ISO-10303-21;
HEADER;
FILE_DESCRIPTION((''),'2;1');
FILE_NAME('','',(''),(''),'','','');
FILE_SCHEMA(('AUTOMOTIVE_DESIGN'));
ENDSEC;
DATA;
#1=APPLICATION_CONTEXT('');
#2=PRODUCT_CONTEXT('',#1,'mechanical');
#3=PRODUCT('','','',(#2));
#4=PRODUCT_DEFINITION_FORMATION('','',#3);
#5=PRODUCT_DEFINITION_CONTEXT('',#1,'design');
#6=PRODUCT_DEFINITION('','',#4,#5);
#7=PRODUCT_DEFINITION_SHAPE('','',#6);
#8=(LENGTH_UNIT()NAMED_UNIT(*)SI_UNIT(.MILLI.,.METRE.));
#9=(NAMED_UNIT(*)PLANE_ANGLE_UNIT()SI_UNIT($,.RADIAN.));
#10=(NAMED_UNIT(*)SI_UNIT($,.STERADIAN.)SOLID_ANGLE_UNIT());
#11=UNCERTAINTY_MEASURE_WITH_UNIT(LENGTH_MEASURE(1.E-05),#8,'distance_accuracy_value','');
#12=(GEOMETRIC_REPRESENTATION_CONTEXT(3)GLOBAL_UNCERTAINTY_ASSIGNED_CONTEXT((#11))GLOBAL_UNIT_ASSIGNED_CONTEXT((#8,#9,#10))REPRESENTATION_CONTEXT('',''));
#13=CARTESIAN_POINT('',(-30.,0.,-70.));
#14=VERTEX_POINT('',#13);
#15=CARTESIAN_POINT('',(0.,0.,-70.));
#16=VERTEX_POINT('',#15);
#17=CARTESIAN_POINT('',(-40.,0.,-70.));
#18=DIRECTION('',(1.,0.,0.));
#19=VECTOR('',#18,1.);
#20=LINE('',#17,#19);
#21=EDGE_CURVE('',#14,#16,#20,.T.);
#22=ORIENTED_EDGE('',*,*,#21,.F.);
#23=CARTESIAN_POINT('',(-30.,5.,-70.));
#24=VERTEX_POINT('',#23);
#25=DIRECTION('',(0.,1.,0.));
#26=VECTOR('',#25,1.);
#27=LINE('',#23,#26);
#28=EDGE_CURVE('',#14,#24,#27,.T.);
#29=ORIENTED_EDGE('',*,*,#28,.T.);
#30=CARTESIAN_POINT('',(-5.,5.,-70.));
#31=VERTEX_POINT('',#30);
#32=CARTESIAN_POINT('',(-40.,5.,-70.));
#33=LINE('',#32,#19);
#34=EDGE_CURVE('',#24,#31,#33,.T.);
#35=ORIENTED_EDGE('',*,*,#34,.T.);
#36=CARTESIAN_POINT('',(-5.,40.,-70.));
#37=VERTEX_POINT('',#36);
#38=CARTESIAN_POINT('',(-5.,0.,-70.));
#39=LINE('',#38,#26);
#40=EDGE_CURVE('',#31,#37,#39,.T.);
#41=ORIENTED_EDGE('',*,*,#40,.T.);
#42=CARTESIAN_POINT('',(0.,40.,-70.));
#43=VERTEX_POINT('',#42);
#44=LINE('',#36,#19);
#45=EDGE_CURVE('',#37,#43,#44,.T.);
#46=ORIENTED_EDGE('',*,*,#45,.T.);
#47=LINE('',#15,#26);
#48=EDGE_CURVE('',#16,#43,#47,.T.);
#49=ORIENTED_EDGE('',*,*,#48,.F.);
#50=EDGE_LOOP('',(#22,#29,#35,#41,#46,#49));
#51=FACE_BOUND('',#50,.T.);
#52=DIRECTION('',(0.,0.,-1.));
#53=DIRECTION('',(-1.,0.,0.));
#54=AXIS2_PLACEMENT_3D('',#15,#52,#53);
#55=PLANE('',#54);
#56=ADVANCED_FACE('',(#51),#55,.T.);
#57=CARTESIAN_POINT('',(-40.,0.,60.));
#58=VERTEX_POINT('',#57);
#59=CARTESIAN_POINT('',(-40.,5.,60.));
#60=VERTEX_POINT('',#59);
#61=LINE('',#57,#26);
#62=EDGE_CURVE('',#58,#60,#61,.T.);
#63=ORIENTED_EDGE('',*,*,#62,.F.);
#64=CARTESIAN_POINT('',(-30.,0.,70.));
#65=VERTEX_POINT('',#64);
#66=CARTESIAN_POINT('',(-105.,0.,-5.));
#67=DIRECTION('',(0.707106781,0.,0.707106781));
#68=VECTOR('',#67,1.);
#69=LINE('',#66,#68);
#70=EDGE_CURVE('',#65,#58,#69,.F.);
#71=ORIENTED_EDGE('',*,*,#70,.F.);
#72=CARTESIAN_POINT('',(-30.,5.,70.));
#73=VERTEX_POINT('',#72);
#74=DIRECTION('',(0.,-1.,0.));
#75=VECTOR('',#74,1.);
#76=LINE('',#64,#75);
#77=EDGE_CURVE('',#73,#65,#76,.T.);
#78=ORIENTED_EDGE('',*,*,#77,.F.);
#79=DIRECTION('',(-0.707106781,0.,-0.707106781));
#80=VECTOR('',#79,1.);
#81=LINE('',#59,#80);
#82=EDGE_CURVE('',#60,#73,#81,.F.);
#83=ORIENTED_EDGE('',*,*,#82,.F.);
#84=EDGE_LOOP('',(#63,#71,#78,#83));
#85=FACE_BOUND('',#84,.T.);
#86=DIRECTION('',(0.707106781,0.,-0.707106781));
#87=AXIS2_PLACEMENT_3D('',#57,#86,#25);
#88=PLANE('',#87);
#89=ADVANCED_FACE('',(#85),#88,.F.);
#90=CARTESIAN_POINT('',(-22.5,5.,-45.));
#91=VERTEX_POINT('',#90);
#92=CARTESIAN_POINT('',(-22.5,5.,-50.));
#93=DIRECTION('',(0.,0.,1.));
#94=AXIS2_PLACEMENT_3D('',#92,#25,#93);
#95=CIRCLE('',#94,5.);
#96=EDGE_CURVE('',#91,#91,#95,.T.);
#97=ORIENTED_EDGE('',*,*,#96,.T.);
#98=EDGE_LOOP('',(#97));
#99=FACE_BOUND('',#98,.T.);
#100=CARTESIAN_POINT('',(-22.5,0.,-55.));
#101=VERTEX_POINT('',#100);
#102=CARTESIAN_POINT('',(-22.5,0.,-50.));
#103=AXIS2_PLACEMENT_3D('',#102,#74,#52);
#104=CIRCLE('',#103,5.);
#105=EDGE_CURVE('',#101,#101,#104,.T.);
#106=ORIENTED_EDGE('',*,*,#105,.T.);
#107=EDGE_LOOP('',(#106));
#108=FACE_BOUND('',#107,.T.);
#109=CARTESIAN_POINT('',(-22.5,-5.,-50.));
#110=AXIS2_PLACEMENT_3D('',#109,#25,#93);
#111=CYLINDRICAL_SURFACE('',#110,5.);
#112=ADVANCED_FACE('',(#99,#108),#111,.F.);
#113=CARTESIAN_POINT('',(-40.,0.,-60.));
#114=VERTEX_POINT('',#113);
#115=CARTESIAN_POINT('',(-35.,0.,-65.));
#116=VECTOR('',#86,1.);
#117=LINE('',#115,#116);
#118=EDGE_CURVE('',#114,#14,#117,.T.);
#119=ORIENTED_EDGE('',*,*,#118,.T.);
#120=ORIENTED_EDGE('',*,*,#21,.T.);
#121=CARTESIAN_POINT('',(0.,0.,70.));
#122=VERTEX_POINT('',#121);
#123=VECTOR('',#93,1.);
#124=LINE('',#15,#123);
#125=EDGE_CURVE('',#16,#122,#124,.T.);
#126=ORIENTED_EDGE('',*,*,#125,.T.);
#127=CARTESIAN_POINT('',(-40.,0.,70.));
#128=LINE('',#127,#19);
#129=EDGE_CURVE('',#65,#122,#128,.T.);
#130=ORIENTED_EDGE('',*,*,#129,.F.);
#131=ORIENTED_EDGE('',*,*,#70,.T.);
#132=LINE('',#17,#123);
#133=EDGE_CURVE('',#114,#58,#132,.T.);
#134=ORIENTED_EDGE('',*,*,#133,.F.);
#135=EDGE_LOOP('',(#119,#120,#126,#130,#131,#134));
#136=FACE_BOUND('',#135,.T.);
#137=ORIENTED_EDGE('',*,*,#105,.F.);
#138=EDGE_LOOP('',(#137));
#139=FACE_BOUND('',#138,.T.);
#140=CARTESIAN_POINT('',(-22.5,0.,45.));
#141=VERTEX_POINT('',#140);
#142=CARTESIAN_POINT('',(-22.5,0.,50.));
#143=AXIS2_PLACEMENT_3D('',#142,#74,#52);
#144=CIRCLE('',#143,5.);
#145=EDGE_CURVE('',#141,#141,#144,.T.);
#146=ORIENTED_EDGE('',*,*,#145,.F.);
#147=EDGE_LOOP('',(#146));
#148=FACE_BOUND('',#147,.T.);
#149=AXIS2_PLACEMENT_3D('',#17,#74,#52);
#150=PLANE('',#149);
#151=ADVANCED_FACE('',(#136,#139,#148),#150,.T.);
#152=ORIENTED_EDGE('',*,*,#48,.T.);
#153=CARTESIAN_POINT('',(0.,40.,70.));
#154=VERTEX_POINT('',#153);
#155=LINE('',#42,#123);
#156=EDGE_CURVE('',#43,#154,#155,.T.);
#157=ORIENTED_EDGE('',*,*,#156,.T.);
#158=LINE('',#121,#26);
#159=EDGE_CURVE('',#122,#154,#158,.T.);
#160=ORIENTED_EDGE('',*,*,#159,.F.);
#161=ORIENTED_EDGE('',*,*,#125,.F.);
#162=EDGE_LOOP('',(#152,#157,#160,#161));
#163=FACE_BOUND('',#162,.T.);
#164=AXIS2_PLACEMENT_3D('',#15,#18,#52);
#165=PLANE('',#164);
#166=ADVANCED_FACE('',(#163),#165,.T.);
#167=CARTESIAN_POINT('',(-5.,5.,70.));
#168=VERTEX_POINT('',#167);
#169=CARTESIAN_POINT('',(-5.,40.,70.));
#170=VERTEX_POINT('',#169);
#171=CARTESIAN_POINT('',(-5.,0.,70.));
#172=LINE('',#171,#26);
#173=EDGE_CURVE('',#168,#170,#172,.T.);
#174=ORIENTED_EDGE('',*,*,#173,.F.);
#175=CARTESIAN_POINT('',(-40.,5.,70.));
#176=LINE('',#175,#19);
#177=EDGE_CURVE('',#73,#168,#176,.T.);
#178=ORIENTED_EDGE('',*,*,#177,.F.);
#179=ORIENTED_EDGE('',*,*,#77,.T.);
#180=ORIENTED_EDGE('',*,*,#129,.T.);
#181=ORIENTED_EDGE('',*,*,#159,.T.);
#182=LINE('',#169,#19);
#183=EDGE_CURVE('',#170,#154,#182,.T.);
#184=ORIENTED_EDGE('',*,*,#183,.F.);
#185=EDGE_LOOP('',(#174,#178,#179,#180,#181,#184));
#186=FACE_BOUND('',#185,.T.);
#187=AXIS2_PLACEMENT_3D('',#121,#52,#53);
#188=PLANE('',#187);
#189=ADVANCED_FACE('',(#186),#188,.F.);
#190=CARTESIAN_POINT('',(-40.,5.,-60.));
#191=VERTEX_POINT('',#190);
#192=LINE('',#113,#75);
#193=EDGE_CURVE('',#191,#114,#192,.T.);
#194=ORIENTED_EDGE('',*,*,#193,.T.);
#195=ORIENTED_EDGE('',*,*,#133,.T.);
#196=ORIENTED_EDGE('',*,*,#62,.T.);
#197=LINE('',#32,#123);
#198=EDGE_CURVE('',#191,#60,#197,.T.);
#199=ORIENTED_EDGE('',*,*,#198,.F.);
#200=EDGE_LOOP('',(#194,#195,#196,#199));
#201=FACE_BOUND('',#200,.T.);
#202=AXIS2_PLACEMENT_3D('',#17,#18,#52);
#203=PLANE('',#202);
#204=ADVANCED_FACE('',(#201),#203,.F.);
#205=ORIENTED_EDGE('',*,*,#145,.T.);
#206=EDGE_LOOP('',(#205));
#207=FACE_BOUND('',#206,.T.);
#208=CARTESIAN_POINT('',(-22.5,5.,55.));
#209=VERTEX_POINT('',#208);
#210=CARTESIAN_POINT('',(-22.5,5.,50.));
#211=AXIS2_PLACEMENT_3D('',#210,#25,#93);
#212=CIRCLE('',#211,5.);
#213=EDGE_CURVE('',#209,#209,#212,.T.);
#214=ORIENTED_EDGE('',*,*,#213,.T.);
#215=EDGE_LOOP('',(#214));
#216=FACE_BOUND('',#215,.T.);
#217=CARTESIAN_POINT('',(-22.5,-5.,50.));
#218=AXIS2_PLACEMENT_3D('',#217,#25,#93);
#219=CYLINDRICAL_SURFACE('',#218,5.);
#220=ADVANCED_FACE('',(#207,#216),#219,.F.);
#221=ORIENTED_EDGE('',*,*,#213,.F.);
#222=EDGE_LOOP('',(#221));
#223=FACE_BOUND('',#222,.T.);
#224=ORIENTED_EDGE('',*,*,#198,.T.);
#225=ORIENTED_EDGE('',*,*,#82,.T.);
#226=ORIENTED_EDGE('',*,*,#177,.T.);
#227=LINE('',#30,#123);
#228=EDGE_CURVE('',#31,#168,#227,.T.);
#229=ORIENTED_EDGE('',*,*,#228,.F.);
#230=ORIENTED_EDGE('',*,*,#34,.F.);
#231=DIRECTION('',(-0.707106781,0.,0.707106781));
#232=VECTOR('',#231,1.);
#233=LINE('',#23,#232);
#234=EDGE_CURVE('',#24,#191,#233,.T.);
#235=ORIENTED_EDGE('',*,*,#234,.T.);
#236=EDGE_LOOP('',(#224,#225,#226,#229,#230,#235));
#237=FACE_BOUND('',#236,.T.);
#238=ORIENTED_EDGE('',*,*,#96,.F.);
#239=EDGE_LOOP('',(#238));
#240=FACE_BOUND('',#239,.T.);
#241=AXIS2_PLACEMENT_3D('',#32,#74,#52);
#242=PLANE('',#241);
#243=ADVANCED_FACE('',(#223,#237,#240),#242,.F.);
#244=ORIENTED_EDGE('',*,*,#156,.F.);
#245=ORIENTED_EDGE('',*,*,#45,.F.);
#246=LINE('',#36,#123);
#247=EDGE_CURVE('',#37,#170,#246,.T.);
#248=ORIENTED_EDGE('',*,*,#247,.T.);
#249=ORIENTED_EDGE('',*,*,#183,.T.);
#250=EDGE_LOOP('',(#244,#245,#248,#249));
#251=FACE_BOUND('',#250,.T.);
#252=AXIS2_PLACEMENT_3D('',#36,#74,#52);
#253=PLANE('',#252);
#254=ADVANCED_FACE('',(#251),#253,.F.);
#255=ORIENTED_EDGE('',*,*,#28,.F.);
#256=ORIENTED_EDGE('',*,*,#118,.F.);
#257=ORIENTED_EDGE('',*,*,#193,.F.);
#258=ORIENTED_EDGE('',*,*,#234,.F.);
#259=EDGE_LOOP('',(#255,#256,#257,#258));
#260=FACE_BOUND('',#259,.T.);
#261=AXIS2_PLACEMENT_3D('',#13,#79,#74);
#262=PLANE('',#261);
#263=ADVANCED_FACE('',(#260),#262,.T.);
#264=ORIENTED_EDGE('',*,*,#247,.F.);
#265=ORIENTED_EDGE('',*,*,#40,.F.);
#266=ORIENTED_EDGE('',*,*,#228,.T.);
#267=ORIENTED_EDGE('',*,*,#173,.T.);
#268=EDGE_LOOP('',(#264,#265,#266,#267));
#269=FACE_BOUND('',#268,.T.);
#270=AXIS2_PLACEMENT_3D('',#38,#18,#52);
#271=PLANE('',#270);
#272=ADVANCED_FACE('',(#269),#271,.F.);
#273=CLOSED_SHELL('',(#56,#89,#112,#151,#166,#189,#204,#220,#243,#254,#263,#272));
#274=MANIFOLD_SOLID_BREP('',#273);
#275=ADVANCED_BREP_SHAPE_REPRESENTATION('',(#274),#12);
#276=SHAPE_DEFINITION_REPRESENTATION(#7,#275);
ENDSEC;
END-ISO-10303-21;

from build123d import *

# Parameters (mm, degrees)
EXTRUDE_THIN1_DEPTH      = 70
EXTRUDE_THIN1_DEPTH_BACK = 70
CHAMFER1_SIZE            = 10
SKETCH2_R                = 5
CUT_EXTRUDE1_DEPTH       = 10


with BuildPart() as part:
    # Sketch1 → Extrude-Thin1 (new, two sides: drawn at the far end of the back side and taken through both)
    with BuildSketch(Plane.XY.offset(-EXTRUDE_THIN1_DEPTH_BACK)):
        Polygon((-40, 0), (0, 0), (0, 40), (-5, 40), (-5, 5), (-40, 5), align=None)
    extrude(amount=EXTRUDE_THIN1_DEPTH + EXTRUDE_THIN1_DEPTH_BACK)

    # Chamfer1
    chamfer1_edges = [part.edges().sort_by_distance(p)[0] for p in [
        (-40, 2.5, 70),
        (-40, 2.5, -70),
    ]]
    chamfer(chamfer1_edges, length=CHAMFER1_SIZE)

    # Sketch2 → Cut-Extrude1 (cut)
    with BuildSketch(Plane(origin=(0, 5, 0), x_dir=(1, 0, 0), z_dir=(0, 1, 0))):
        with Locations(Location((-22.5, 50, 0), (0, 0, 270))):
            Circle(SKETCH2_R)
        with Locations(Location((-22.5, -50, 0), (0, 0, 270))):
            Circle(SKETCH2_R)
    extrude(amount=-CUT_EXTRUDE1_DEPTH, mode=Mode.SUBTRACT)


solid = part.part
